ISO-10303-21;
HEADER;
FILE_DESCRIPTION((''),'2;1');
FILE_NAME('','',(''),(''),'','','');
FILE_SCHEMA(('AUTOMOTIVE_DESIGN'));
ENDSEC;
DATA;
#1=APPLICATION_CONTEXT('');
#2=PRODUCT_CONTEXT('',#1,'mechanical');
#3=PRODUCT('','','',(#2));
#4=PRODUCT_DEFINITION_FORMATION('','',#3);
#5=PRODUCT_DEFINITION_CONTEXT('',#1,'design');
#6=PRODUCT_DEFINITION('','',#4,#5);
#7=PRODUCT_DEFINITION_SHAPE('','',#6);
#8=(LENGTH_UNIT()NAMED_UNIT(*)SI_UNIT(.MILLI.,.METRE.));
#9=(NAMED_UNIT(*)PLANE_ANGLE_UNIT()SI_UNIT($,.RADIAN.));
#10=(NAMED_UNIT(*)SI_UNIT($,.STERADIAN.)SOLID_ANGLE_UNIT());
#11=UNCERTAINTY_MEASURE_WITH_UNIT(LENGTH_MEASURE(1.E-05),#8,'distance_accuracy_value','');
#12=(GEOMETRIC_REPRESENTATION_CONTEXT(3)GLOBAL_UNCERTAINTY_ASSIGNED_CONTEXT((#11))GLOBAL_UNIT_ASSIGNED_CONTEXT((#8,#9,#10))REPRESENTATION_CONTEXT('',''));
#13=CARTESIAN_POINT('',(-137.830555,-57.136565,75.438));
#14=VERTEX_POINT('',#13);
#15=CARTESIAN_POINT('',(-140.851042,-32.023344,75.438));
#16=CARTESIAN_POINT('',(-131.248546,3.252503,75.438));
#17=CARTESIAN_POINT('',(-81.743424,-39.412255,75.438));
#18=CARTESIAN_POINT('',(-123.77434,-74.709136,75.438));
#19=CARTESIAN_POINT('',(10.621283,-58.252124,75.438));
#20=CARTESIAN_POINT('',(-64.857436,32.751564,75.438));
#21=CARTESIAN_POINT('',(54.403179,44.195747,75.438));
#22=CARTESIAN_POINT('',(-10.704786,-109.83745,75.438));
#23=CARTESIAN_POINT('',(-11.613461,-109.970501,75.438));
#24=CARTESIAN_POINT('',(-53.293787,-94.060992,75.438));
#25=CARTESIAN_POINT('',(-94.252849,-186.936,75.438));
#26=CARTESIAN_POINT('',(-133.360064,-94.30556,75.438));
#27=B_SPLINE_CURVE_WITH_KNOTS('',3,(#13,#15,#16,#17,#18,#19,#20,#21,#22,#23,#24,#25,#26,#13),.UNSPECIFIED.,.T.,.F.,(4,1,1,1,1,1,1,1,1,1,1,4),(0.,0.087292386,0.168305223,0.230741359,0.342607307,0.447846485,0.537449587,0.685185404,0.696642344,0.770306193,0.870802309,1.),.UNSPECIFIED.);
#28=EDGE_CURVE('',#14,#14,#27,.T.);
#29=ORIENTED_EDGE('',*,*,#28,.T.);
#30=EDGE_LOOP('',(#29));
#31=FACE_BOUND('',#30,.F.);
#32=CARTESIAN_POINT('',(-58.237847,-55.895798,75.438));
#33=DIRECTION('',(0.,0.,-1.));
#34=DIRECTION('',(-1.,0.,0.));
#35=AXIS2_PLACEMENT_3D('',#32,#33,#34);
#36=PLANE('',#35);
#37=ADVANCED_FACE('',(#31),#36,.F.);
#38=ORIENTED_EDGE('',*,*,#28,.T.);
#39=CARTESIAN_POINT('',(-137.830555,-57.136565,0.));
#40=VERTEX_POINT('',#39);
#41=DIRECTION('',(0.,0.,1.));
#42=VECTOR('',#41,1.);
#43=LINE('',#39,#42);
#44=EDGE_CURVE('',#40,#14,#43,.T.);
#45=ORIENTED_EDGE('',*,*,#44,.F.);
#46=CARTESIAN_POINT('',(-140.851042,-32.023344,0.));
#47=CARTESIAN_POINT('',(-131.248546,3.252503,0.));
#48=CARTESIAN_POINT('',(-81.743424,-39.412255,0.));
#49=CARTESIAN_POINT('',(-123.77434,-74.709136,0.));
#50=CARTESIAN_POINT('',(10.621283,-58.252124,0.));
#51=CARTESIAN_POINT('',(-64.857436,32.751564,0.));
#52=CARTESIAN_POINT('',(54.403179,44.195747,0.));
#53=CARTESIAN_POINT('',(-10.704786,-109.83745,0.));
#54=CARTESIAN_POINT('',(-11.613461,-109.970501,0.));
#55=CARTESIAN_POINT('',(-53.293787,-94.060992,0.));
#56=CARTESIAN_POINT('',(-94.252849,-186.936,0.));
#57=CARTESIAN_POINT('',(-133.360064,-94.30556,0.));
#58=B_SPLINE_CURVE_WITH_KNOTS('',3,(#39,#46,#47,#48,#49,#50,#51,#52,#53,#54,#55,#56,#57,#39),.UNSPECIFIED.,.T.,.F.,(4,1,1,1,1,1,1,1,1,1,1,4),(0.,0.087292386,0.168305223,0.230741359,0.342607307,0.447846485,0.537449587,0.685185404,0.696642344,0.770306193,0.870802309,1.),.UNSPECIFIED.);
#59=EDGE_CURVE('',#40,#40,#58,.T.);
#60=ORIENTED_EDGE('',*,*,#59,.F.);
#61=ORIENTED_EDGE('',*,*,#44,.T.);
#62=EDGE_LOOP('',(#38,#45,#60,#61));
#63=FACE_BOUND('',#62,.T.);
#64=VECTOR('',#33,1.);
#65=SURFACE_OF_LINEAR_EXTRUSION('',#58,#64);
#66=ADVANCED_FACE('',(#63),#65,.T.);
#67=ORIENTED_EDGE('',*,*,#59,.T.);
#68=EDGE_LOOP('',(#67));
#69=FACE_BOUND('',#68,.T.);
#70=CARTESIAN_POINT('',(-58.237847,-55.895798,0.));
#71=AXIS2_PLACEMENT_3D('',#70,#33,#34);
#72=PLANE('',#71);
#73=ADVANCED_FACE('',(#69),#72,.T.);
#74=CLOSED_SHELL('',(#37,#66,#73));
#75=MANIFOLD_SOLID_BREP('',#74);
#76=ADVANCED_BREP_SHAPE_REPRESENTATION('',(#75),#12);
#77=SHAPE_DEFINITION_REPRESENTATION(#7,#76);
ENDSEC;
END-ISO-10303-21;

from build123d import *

# Parameters (mm, degrees)
F1_DEPTH = 75.438


with BuildPart() as f1:
    # F0 (on Top) → F1 (new body)
    with BuildSketch(Plane.XY):
        with BuildLine():
            add(Edge.make_bspline(
                [(-137.830555439, -57.1365654469), (-140.8510417275, -32.0233443459), (-131.2485463354, 3.25250256), (-81.7434236131, -39.4122549907), (-123.7743398191, -74.7091363659), (10.6212827606, -58.2521240198), (-64.8574362789, 32.7515642801), (54.4031788405, 44.195746885), (-10.7047863797, -109.8374502402), (-11.6134609757, -109.9705010126), (-53.2937869995, -94.0609919352), (-94.2528485665, -186.9359998201), (-133.360064097, -94.3055597009), (-137.830555439, -57.1365654469)],
                knots=[0, 0, 0, 0, 0.0872923857, 0.1683052226, 0.2307413588, 0.3426073071, 0.4478464849, 0.5374495871, 0.6851854043, 0.6966423445, 0.7703061927, 0.8708023088, 1, 1, 1, 1], degree=3))
        make_face()
    extrude(amount=F1_DEPTH)


solid = f1.part
